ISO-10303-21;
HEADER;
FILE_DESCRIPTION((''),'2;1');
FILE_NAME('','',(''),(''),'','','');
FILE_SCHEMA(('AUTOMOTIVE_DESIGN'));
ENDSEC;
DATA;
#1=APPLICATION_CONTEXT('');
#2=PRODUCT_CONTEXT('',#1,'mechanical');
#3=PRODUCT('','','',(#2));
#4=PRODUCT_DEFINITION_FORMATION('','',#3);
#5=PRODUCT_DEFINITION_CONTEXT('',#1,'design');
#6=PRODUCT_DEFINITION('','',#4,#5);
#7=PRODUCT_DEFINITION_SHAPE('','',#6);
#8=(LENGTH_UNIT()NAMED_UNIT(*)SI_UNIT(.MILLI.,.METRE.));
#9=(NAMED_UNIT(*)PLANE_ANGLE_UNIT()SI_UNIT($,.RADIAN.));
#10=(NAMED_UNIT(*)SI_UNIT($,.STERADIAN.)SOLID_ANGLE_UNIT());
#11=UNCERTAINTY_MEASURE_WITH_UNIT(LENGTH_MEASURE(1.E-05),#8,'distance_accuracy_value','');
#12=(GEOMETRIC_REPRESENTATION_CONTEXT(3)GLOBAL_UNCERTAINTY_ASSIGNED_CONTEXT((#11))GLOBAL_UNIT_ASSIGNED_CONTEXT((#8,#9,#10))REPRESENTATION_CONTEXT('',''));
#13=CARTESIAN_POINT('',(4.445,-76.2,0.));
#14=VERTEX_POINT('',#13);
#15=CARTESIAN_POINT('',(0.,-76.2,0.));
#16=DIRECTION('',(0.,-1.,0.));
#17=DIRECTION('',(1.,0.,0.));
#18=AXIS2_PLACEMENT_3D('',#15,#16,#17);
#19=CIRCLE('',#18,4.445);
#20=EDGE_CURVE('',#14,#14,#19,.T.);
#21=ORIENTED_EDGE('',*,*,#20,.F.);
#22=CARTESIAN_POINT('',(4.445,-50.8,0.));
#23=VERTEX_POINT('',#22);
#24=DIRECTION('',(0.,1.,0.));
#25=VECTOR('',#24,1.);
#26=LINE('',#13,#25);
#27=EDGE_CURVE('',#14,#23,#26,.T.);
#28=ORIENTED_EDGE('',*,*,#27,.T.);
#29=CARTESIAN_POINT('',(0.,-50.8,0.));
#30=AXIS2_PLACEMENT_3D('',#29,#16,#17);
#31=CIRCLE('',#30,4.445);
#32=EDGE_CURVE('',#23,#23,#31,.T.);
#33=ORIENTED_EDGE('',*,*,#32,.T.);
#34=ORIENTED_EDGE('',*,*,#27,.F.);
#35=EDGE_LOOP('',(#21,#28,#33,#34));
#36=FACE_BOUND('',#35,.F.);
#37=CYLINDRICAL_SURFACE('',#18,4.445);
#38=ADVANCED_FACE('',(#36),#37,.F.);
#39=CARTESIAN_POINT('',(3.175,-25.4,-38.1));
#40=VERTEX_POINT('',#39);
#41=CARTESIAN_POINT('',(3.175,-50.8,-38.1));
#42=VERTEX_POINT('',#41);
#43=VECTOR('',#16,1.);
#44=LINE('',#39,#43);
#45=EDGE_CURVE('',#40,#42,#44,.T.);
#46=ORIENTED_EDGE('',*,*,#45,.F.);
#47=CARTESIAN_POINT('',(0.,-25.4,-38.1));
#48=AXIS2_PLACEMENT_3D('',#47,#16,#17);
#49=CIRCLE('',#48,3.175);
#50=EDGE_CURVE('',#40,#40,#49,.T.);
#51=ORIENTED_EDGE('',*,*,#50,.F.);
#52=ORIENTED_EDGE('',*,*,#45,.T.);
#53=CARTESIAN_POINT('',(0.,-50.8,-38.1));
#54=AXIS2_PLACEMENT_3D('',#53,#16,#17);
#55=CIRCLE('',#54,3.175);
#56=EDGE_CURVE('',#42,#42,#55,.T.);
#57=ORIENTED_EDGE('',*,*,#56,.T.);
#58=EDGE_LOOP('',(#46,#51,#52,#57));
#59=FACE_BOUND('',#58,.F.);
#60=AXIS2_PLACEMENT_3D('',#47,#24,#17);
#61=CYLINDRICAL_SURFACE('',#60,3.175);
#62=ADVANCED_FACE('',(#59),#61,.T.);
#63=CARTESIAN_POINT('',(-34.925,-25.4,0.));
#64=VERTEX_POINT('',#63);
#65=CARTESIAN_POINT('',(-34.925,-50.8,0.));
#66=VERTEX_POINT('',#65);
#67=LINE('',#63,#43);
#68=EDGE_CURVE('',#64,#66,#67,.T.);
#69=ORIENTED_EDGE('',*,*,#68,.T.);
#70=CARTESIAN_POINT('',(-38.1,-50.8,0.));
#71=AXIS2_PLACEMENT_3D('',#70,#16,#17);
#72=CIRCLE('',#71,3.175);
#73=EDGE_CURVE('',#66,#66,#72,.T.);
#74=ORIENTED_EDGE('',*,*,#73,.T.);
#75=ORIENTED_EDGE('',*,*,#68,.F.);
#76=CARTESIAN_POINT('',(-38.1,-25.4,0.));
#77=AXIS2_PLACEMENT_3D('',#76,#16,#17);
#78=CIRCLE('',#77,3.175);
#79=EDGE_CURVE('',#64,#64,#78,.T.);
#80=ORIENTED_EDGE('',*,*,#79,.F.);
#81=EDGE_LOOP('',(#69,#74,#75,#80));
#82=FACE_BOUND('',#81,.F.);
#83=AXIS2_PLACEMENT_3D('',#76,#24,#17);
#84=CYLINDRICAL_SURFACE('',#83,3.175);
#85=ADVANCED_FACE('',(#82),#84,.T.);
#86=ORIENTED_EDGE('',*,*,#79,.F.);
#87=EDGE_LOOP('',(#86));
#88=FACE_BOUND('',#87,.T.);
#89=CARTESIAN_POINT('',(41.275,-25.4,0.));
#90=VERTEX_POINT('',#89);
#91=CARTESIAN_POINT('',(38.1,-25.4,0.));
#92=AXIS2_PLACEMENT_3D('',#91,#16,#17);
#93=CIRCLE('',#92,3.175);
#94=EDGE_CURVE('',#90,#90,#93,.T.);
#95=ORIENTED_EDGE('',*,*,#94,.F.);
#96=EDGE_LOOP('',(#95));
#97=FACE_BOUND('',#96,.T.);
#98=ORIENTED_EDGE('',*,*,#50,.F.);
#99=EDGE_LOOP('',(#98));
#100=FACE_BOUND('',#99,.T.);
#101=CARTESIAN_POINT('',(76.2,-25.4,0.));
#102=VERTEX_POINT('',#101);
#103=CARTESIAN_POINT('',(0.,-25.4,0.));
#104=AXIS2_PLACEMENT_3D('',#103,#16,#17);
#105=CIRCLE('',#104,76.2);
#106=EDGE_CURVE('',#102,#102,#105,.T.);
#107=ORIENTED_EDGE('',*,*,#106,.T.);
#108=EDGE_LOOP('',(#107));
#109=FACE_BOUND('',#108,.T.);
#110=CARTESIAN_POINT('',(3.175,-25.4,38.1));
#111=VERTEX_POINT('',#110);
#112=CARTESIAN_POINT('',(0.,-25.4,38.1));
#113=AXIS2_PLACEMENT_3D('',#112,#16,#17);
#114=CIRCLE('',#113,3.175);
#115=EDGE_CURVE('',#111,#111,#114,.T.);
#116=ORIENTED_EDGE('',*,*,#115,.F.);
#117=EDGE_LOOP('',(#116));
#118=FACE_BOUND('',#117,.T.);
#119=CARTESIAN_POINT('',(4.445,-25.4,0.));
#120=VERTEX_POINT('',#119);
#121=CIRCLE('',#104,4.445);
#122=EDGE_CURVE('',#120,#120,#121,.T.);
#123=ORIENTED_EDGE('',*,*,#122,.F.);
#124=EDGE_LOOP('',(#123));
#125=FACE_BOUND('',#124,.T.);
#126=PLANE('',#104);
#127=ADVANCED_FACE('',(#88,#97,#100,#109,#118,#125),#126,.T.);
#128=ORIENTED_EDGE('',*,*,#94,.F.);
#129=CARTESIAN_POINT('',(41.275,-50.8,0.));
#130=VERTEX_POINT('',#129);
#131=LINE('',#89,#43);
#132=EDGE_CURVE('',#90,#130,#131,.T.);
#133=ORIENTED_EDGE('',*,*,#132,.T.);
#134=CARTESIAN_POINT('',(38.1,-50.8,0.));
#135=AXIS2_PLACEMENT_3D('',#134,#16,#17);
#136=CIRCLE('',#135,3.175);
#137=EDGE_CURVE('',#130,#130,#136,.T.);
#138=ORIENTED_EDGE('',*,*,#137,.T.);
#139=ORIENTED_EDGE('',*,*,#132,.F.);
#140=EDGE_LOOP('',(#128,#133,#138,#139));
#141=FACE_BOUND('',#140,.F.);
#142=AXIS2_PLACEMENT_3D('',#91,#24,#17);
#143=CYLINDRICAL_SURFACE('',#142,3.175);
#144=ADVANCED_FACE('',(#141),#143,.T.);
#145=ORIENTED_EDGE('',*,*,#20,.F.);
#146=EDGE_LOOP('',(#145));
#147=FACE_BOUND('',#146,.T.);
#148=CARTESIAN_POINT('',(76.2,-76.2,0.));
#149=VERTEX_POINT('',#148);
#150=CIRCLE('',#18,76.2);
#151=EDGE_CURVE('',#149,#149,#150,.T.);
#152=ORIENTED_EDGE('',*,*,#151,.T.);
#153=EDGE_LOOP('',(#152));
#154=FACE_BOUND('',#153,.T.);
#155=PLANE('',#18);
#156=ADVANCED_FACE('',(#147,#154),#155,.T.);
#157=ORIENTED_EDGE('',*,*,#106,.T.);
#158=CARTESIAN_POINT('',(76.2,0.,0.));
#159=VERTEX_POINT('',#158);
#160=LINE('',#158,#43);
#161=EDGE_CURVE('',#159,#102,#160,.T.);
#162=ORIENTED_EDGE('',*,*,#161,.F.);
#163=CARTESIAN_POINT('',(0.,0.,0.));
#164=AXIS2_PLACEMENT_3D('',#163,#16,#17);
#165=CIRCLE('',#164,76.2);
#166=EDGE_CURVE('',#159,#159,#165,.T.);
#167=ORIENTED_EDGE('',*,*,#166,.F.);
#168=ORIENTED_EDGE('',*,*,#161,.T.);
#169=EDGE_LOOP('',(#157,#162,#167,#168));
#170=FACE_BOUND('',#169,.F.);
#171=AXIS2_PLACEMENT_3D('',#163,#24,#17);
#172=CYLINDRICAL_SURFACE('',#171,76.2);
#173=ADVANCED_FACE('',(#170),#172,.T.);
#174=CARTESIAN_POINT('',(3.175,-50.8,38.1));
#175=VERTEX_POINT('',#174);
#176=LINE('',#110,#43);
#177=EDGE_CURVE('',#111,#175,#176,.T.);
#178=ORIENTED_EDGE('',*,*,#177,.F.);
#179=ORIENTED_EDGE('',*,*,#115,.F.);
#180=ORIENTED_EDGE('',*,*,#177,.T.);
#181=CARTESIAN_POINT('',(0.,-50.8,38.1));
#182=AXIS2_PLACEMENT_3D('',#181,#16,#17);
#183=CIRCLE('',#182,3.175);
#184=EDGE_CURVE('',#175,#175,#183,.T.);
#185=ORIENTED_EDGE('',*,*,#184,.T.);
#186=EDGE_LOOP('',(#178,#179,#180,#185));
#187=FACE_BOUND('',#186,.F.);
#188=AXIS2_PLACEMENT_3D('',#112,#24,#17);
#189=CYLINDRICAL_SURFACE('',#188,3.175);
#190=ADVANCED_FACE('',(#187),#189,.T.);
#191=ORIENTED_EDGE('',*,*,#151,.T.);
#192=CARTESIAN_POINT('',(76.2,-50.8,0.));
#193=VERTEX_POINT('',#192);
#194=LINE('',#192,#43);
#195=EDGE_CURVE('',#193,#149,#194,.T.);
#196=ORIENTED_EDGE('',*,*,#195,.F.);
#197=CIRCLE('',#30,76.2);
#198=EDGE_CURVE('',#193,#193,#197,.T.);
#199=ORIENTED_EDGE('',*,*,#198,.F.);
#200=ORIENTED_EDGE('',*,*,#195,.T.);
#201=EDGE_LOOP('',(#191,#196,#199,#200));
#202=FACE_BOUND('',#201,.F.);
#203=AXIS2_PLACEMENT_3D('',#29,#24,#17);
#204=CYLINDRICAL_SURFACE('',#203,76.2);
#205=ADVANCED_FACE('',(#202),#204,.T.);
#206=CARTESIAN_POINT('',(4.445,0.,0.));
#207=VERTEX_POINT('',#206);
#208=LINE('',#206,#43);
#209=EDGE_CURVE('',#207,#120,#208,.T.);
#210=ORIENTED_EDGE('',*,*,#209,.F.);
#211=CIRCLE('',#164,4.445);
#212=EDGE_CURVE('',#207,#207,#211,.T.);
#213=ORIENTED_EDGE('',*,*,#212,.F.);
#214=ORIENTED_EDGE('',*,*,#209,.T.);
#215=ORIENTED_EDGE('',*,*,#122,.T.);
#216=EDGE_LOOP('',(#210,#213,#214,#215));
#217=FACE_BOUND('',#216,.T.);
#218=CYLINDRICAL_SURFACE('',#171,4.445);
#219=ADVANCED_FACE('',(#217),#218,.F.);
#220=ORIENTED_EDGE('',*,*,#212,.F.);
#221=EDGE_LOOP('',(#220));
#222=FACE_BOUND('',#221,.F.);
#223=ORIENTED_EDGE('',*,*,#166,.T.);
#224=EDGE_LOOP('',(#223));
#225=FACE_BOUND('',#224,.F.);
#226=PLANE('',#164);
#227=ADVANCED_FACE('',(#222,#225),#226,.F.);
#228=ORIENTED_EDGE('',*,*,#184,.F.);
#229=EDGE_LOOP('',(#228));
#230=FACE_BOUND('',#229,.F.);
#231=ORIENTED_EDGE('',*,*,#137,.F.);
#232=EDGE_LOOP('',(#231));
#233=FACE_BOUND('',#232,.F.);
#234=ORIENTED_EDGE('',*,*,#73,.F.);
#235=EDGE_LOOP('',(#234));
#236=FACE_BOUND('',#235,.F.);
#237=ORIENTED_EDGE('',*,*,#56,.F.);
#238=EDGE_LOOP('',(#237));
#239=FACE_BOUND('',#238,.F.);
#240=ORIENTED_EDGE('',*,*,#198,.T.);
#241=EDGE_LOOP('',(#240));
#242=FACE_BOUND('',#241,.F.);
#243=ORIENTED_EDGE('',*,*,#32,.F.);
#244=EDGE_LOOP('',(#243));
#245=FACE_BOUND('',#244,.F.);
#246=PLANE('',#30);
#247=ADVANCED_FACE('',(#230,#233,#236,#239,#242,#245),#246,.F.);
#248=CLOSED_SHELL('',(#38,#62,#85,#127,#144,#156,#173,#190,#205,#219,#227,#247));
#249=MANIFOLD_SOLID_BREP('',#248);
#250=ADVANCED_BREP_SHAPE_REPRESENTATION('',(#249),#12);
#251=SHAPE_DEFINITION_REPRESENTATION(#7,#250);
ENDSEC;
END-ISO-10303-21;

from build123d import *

# Parameters (mm, degrees)
F0_R     = 76.2
F2_DEPTH = 25.4
F1_R     = 4.445
F3_DEPTH = 25.4
F4_R     = 3.175
F5_DEPTH = 25.4
F6_R     = 76.2
F7_DEPTH = 25.4
F8_R     = 4.445
F9_DEPTH = 25.4


with BuildPart() as f2:
    # F0 (on Front) → F2 (new body)
    with BuildSketch(Plane.XZ):
        Circle(F0_R)
    extrude(amount=F2_DEPTH)

    # F1 (on face) → F3 (cut)
    with BuildSketch(Plane.XZ):
        Circle(F1_R)
    extrude(amount=F3_DEPTH, mode=Mode.SUBTRACT)

    # F4 (on face) → F5 (join)
    with BuildSketch(Plane.XZ.offset(25.4)):
        with Locations((38.1, 0)):
            Circle(F4_R)
        with Locations((0, 38.1)):
            Circle(F4_R)
        with Locations((-38.1, 0)):
            Circle(F4_R)
        with Locations((0, -38.1)):
            Circle(F4_R)
    extrude(amount=F5_DEPTH)

    # F6 (on face) → F7 (join)
    with BuildSketch(Plane.XZ.offset(50.8)):
        Circle(F6_R)
    extrude(amount=F7_DEPTH)

    # F8 (on face) → F9 (cut)
    with BuildSketch(Plane.XZ.offset(76.2)):
        Circle(F8_R)
    extrude(amount=-F9_DEPTH, mode=Mode.SUBTRACT)


solid = f2.part
